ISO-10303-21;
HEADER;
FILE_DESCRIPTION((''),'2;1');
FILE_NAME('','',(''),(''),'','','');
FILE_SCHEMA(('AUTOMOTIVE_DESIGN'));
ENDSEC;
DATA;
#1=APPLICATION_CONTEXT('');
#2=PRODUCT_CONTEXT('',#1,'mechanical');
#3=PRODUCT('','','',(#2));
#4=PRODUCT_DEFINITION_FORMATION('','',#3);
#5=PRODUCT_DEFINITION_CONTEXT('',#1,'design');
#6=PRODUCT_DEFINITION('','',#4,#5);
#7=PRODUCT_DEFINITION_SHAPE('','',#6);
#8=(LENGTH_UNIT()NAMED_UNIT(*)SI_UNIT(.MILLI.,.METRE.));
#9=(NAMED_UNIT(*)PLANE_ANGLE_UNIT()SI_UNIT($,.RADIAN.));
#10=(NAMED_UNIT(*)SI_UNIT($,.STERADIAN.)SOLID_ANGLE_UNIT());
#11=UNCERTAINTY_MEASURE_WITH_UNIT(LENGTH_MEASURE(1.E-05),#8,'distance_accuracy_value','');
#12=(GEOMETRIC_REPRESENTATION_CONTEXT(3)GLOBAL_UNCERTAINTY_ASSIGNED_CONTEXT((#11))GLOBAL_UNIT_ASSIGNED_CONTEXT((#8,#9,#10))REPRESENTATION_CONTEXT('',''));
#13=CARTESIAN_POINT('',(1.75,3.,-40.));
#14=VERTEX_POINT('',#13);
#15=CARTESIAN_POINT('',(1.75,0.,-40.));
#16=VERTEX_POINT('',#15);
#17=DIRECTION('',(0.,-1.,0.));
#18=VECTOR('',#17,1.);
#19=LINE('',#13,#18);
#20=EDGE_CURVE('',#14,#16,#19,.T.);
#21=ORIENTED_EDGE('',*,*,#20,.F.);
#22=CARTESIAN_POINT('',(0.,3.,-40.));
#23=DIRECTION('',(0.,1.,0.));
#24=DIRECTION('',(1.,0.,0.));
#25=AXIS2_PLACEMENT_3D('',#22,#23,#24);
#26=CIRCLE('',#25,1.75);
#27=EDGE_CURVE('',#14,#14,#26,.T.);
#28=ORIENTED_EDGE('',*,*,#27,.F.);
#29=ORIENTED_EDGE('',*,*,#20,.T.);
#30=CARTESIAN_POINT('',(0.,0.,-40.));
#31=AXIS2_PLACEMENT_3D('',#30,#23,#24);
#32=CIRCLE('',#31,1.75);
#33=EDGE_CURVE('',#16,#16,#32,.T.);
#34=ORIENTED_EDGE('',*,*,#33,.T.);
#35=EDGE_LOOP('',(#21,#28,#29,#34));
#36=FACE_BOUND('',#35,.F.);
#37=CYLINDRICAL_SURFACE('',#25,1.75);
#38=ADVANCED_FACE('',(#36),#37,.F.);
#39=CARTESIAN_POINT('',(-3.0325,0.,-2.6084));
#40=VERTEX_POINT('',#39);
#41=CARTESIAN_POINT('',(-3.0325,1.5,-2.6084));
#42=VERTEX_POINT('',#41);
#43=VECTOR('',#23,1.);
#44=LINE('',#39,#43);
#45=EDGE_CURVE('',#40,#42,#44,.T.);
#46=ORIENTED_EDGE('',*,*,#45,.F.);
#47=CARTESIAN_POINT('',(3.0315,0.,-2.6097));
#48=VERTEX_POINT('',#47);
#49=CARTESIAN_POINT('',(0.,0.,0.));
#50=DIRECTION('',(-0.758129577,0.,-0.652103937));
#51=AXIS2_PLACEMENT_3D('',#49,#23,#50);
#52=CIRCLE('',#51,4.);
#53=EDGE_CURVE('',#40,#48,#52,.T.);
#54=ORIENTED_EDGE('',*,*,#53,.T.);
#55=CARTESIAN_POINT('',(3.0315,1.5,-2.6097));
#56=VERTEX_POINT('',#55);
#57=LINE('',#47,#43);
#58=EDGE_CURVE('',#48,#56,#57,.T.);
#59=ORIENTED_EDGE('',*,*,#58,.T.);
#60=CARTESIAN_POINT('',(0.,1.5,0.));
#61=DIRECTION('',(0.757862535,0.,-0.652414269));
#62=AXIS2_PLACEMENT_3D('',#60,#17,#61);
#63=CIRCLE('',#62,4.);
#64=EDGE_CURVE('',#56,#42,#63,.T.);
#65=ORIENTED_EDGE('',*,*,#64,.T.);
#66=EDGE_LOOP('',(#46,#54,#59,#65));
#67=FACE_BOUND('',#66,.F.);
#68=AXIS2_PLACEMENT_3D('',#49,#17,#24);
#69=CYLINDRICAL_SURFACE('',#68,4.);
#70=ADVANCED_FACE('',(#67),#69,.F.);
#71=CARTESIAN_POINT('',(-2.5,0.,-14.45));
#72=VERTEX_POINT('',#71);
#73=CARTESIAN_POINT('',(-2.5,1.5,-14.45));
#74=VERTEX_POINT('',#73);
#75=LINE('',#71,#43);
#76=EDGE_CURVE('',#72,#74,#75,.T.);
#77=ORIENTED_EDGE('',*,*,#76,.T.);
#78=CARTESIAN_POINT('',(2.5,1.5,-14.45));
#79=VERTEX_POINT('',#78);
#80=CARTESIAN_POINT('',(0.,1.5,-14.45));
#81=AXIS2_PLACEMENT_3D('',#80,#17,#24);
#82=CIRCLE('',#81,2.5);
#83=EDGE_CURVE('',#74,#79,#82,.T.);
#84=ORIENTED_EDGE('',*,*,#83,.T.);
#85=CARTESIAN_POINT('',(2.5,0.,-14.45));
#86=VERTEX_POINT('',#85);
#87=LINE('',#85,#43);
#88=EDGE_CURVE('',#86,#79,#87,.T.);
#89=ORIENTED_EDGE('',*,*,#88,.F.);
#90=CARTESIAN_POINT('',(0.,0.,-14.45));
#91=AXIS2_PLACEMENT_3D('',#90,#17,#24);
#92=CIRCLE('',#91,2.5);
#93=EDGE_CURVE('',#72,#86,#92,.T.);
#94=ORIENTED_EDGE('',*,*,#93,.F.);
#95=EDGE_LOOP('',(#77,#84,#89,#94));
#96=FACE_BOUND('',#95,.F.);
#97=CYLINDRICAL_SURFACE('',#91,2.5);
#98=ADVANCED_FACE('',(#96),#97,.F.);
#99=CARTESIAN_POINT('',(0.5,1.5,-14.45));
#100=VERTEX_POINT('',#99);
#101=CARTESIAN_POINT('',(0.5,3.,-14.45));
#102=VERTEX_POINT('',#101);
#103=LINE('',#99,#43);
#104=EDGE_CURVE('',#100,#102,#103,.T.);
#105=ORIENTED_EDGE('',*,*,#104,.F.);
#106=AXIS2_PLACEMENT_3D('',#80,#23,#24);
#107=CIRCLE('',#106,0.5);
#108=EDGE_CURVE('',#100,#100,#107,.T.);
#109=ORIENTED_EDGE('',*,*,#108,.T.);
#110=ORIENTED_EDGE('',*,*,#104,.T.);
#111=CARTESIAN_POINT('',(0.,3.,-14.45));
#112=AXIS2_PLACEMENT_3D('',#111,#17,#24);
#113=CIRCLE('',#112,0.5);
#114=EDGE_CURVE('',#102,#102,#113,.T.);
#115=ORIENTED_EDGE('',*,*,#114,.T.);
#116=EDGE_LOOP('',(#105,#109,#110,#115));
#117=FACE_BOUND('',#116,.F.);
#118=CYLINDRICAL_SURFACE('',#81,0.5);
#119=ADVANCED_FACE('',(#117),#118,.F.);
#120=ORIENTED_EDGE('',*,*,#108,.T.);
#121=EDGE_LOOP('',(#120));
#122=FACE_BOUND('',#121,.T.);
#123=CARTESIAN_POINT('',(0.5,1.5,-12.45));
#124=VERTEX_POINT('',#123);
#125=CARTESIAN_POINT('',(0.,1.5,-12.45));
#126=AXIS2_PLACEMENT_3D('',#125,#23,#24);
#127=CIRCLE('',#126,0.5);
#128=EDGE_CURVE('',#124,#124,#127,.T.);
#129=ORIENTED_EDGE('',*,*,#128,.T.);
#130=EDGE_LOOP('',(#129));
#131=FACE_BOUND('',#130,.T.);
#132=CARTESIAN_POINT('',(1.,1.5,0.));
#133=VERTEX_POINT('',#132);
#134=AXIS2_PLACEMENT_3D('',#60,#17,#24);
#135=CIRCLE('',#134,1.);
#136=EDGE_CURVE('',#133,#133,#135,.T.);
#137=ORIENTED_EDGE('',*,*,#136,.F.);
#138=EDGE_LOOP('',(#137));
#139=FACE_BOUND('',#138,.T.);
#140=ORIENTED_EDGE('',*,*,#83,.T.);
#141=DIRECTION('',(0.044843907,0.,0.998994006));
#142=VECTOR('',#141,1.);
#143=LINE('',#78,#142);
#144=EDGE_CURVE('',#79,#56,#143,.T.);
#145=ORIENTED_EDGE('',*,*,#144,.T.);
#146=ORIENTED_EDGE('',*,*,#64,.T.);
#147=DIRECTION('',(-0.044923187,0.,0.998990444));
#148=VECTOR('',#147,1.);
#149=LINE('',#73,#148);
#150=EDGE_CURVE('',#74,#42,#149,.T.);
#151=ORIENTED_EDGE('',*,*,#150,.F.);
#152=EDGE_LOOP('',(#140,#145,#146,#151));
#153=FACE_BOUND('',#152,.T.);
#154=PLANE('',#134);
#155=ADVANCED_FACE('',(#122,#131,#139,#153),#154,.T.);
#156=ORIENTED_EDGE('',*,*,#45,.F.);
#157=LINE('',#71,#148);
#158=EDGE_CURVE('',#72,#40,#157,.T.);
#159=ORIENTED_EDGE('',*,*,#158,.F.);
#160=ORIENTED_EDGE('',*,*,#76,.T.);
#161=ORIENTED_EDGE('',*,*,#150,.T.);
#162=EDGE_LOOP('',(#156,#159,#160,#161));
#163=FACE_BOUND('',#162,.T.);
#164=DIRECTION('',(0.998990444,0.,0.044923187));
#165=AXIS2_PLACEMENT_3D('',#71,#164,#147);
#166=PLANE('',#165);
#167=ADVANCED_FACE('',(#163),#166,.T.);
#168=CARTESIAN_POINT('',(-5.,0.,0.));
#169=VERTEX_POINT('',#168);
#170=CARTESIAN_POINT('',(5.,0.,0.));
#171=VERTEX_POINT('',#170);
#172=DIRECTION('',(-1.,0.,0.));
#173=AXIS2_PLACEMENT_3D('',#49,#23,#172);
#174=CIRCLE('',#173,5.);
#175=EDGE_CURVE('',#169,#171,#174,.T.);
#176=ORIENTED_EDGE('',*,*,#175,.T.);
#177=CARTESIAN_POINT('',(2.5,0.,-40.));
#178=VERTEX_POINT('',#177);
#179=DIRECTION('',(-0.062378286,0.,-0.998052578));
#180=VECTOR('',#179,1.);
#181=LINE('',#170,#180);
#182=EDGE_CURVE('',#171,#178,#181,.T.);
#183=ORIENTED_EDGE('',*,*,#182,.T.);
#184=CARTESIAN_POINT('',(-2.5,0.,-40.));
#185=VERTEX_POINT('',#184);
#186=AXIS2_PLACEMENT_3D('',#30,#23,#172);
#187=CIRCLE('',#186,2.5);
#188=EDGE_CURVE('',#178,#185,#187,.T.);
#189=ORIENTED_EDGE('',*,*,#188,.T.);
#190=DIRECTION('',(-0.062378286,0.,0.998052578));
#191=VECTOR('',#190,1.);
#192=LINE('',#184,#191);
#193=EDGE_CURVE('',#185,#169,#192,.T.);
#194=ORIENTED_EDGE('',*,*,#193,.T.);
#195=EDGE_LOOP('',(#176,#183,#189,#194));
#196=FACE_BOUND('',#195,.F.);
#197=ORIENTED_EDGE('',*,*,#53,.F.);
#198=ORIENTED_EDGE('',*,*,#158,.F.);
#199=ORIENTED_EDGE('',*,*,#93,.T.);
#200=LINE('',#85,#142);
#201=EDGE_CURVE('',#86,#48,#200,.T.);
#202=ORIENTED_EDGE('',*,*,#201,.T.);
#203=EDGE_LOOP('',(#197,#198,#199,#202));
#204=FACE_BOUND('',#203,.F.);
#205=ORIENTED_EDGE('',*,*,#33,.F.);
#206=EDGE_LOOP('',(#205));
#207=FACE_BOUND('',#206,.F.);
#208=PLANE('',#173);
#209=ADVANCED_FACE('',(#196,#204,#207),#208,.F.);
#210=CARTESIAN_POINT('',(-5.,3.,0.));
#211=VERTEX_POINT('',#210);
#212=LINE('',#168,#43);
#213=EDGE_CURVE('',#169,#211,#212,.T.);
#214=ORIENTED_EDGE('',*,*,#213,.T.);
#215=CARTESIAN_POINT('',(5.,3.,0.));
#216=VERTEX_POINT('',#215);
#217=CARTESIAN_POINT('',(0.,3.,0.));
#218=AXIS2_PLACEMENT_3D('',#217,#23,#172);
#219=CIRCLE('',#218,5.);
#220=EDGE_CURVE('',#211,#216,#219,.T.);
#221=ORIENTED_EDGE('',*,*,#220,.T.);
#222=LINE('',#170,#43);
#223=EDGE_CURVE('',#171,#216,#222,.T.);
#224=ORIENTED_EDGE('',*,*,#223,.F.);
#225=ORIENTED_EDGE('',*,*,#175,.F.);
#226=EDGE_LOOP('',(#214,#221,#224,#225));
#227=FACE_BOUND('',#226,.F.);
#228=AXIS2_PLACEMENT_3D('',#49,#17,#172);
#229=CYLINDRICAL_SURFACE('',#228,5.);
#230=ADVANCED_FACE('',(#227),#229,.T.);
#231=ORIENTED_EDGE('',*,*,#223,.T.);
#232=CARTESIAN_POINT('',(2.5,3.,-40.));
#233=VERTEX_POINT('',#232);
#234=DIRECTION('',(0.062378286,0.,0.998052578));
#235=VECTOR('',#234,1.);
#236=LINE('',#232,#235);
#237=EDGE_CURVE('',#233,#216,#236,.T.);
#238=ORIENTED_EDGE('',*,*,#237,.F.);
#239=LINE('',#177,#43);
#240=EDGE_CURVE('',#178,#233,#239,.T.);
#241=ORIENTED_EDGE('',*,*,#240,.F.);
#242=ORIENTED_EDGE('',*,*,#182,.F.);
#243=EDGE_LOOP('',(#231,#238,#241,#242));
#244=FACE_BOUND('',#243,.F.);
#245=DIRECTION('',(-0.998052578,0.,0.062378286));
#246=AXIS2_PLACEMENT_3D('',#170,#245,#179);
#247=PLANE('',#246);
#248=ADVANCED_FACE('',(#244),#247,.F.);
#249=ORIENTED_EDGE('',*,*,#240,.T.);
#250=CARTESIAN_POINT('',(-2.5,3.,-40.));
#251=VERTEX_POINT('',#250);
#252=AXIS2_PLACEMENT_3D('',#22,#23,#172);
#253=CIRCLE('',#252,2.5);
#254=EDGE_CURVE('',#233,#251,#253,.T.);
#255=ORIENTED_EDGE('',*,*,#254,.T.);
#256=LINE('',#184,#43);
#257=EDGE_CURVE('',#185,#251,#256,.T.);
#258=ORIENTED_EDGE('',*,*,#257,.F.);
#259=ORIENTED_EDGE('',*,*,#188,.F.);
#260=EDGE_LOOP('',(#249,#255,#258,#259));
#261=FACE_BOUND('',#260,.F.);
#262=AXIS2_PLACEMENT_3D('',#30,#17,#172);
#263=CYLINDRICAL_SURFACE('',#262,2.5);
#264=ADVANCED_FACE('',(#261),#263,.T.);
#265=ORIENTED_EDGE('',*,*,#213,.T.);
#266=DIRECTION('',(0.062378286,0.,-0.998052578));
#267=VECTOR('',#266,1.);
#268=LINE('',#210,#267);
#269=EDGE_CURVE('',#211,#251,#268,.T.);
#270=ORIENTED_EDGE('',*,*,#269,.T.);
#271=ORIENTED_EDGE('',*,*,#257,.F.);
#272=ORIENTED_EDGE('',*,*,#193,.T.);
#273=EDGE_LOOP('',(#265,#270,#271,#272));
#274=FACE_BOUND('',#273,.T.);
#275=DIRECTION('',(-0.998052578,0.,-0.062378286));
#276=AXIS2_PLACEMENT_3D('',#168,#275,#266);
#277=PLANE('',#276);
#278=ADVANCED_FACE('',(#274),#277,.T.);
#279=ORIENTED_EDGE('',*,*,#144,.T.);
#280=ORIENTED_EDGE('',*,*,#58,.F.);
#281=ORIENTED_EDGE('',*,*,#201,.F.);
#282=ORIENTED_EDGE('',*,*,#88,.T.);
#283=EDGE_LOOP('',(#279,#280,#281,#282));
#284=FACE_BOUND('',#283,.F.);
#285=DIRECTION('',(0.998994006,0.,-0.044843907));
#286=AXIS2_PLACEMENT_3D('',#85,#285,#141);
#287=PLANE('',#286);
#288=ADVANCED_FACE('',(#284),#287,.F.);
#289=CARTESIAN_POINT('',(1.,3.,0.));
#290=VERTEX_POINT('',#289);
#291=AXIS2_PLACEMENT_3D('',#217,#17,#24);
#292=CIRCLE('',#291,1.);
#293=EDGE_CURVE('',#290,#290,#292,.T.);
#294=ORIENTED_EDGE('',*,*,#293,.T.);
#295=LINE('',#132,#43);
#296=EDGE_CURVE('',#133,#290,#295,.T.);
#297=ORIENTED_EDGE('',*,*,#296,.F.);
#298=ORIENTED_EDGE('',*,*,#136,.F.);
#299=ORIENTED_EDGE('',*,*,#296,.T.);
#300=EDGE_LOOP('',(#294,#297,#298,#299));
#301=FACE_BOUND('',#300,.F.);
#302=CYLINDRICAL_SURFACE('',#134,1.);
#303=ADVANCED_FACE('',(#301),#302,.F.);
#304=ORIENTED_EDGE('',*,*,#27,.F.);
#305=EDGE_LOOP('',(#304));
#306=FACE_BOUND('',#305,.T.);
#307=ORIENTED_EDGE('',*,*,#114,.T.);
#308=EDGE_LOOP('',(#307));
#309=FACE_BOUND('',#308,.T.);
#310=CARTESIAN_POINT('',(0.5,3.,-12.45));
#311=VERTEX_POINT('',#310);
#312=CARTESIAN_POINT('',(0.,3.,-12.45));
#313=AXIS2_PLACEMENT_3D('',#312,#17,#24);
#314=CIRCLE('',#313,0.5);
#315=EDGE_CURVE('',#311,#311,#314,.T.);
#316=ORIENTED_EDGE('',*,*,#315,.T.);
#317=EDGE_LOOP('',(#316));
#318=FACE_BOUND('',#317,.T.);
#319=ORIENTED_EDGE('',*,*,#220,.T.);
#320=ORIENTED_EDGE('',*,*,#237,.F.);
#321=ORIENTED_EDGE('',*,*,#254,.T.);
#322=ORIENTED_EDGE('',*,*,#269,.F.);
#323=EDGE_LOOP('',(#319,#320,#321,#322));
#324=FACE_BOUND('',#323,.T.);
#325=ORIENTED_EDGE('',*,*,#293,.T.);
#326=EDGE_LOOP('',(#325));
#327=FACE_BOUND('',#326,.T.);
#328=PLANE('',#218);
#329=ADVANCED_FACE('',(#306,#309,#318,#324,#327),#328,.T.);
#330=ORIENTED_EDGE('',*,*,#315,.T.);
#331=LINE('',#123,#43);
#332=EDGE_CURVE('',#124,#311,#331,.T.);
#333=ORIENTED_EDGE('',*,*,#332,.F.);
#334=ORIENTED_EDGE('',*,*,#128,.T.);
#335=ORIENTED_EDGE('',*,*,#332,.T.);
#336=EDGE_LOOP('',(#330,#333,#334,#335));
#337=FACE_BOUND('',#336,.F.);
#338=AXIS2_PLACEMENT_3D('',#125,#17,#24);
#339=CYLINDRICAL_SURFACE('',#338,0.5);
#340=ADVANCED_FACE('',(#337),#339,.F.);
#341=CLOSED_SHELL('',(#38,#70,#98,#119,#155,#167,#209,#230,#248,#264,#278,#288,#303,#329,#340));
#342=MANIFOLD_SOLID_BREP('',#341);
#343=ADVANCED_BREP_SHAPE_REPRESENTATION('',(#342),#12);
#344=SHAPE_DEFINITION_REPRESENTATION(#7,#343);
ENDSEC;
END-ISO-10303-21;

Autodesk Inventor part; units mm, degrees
ref_plane "YZ Plane" through (0, 0, 0) normal (1, 0, 0) x (0, 1, 0)
ref_plane "XZ Plane" through (0, 0, 0) normal (0, 1, 0) x (-1, 0, 0)
ref_plane "XY Plane" through (0, 0, 0) normal (0, 0, 1) x (1, 0, 0)
sketch "Sketch1" plane through (0, 0, 0) normal (0, 1, 0) x (-1, 0, 0)
  circle A0 centre (0, 0) radius 5
  line L0 (0, 0) -> (0, -40)
  circle A1 centre (0, -40) radius 1.75
  circle A2 centre (0, -40) radius 2.5
  line L1 (0, -40) -> (2.5, -40)
  line L2 (0, 0) -> (5, 0)
  line L3 (5, 0) -> (2.5, -40)
  line L4 (0, 0) -> (-5, 0)
  line L5 (0, -40) -> (-2.5, -40)
  line L6 (-5, 0) -> (-2.5, -40)
  dimension "d0" = 10
  dimension "d1" = 40
  dimension "d2" = 3.5
  dimension "d3" = 5
extrude "Extrusion1" add sketch "Sketch1" along normal blind 3 contours L2 L4 A0 | L3 A0 L0 L2 | L4 L0 A0 L6 | L3 A2 L0 A0 | A0 L0 A2 L6 | L1 A1 L0 A2 | A2 L5 A1 L1 | A2 L0 A1 L5 | L1 L0 A1 | A1 L5 L1 | A1 L0 L5
sketch "Sketch2" plane through (0, 3, 0) normal (0, 1, 0) x (1, 0, 0)
  arc A0 (2.5, 40) -> (-2.5, 40) centre (0, 40) ccw projected
  circle A1 centre (0, 40) radius 1.75
  point P0 (0, 0)
  dimension "d6" = 3.5
extrude "Extrusion2" cut sketch "Sketch2" against normal blind 5
sketch "Sketch4" plane through (0, 0, 0) normal (0, -1, 0) x (1, 0, 0)
  circle A0 centre (0, 0) radius 4
  line L0 (0, 0) -> (0, -14.45)
  circle A1 centre (0, -14.45) radius 2.5
  line L1 (0, 0) -> (-4, 0)
  line L2 (0, -14.45) -> (-2.5, -14.45)
  line L3 (0, -14.45) -> (2.5, -14.45)
  line L4 (0, 0) -> (4, 0)
  line L5 (2.5, -14.45) -> (13.578, -14.45) construction
  line L6 (2.5, -14.45) -> (3.0315, -2.6097)
  line L7 (2.5, -14.45) -> (14.3523, -14.45) construction
  line L8 (-2.5, -14.45) -> (-3.0325, -2.6084)
  line L9 (-2.5, -14.45) -> (9.3536, -14.45) construction
  dimension "d12" = 8
  dimension "d13" = 14.45
  dimension "d14" = 5
  dimension "d16" = 87.43
  dimension "d17" = 92.575
extrude "Extrusion4" cut sketch "Sketch4" against normal blind 1.5
sketch "Sketch5" plane through (0, 1.5, 0) normal (0, -1, 0) x (1, 0, 0)
  line L0 (0, 0) -> (0, -14.45)
  circle A0 centre (0, -14.45) radius 0.5
  line L1 (0, -14.45) -> (0, -12.45)
  circle A1 centre (0, -12.45) radius 0.5
  dimension "d20" = 14.45
  dimension "d21" = 1
  dimension "d24" = 2
  dimension "d25" = 1
extrude "Extrusion6" cut sketch "Sketch5" against normal blind 5
sketch "Sketch6" plane through (0, 1.5, 0) normal (0, -1, 0) x (1, 0, 0)
  arc A0 (3.0315, -2.6097) -> (-3.0325, -2.6084) centre (0, 0) ccw projected
  circle A1 centre (0, 0) radius 1
  point P0 (0, 0)
  dimension "d28" = 2
extrude "Extrusion7" cut sketch "Sketch6" against normal blind 2
properties part number "Servo_Arm"
